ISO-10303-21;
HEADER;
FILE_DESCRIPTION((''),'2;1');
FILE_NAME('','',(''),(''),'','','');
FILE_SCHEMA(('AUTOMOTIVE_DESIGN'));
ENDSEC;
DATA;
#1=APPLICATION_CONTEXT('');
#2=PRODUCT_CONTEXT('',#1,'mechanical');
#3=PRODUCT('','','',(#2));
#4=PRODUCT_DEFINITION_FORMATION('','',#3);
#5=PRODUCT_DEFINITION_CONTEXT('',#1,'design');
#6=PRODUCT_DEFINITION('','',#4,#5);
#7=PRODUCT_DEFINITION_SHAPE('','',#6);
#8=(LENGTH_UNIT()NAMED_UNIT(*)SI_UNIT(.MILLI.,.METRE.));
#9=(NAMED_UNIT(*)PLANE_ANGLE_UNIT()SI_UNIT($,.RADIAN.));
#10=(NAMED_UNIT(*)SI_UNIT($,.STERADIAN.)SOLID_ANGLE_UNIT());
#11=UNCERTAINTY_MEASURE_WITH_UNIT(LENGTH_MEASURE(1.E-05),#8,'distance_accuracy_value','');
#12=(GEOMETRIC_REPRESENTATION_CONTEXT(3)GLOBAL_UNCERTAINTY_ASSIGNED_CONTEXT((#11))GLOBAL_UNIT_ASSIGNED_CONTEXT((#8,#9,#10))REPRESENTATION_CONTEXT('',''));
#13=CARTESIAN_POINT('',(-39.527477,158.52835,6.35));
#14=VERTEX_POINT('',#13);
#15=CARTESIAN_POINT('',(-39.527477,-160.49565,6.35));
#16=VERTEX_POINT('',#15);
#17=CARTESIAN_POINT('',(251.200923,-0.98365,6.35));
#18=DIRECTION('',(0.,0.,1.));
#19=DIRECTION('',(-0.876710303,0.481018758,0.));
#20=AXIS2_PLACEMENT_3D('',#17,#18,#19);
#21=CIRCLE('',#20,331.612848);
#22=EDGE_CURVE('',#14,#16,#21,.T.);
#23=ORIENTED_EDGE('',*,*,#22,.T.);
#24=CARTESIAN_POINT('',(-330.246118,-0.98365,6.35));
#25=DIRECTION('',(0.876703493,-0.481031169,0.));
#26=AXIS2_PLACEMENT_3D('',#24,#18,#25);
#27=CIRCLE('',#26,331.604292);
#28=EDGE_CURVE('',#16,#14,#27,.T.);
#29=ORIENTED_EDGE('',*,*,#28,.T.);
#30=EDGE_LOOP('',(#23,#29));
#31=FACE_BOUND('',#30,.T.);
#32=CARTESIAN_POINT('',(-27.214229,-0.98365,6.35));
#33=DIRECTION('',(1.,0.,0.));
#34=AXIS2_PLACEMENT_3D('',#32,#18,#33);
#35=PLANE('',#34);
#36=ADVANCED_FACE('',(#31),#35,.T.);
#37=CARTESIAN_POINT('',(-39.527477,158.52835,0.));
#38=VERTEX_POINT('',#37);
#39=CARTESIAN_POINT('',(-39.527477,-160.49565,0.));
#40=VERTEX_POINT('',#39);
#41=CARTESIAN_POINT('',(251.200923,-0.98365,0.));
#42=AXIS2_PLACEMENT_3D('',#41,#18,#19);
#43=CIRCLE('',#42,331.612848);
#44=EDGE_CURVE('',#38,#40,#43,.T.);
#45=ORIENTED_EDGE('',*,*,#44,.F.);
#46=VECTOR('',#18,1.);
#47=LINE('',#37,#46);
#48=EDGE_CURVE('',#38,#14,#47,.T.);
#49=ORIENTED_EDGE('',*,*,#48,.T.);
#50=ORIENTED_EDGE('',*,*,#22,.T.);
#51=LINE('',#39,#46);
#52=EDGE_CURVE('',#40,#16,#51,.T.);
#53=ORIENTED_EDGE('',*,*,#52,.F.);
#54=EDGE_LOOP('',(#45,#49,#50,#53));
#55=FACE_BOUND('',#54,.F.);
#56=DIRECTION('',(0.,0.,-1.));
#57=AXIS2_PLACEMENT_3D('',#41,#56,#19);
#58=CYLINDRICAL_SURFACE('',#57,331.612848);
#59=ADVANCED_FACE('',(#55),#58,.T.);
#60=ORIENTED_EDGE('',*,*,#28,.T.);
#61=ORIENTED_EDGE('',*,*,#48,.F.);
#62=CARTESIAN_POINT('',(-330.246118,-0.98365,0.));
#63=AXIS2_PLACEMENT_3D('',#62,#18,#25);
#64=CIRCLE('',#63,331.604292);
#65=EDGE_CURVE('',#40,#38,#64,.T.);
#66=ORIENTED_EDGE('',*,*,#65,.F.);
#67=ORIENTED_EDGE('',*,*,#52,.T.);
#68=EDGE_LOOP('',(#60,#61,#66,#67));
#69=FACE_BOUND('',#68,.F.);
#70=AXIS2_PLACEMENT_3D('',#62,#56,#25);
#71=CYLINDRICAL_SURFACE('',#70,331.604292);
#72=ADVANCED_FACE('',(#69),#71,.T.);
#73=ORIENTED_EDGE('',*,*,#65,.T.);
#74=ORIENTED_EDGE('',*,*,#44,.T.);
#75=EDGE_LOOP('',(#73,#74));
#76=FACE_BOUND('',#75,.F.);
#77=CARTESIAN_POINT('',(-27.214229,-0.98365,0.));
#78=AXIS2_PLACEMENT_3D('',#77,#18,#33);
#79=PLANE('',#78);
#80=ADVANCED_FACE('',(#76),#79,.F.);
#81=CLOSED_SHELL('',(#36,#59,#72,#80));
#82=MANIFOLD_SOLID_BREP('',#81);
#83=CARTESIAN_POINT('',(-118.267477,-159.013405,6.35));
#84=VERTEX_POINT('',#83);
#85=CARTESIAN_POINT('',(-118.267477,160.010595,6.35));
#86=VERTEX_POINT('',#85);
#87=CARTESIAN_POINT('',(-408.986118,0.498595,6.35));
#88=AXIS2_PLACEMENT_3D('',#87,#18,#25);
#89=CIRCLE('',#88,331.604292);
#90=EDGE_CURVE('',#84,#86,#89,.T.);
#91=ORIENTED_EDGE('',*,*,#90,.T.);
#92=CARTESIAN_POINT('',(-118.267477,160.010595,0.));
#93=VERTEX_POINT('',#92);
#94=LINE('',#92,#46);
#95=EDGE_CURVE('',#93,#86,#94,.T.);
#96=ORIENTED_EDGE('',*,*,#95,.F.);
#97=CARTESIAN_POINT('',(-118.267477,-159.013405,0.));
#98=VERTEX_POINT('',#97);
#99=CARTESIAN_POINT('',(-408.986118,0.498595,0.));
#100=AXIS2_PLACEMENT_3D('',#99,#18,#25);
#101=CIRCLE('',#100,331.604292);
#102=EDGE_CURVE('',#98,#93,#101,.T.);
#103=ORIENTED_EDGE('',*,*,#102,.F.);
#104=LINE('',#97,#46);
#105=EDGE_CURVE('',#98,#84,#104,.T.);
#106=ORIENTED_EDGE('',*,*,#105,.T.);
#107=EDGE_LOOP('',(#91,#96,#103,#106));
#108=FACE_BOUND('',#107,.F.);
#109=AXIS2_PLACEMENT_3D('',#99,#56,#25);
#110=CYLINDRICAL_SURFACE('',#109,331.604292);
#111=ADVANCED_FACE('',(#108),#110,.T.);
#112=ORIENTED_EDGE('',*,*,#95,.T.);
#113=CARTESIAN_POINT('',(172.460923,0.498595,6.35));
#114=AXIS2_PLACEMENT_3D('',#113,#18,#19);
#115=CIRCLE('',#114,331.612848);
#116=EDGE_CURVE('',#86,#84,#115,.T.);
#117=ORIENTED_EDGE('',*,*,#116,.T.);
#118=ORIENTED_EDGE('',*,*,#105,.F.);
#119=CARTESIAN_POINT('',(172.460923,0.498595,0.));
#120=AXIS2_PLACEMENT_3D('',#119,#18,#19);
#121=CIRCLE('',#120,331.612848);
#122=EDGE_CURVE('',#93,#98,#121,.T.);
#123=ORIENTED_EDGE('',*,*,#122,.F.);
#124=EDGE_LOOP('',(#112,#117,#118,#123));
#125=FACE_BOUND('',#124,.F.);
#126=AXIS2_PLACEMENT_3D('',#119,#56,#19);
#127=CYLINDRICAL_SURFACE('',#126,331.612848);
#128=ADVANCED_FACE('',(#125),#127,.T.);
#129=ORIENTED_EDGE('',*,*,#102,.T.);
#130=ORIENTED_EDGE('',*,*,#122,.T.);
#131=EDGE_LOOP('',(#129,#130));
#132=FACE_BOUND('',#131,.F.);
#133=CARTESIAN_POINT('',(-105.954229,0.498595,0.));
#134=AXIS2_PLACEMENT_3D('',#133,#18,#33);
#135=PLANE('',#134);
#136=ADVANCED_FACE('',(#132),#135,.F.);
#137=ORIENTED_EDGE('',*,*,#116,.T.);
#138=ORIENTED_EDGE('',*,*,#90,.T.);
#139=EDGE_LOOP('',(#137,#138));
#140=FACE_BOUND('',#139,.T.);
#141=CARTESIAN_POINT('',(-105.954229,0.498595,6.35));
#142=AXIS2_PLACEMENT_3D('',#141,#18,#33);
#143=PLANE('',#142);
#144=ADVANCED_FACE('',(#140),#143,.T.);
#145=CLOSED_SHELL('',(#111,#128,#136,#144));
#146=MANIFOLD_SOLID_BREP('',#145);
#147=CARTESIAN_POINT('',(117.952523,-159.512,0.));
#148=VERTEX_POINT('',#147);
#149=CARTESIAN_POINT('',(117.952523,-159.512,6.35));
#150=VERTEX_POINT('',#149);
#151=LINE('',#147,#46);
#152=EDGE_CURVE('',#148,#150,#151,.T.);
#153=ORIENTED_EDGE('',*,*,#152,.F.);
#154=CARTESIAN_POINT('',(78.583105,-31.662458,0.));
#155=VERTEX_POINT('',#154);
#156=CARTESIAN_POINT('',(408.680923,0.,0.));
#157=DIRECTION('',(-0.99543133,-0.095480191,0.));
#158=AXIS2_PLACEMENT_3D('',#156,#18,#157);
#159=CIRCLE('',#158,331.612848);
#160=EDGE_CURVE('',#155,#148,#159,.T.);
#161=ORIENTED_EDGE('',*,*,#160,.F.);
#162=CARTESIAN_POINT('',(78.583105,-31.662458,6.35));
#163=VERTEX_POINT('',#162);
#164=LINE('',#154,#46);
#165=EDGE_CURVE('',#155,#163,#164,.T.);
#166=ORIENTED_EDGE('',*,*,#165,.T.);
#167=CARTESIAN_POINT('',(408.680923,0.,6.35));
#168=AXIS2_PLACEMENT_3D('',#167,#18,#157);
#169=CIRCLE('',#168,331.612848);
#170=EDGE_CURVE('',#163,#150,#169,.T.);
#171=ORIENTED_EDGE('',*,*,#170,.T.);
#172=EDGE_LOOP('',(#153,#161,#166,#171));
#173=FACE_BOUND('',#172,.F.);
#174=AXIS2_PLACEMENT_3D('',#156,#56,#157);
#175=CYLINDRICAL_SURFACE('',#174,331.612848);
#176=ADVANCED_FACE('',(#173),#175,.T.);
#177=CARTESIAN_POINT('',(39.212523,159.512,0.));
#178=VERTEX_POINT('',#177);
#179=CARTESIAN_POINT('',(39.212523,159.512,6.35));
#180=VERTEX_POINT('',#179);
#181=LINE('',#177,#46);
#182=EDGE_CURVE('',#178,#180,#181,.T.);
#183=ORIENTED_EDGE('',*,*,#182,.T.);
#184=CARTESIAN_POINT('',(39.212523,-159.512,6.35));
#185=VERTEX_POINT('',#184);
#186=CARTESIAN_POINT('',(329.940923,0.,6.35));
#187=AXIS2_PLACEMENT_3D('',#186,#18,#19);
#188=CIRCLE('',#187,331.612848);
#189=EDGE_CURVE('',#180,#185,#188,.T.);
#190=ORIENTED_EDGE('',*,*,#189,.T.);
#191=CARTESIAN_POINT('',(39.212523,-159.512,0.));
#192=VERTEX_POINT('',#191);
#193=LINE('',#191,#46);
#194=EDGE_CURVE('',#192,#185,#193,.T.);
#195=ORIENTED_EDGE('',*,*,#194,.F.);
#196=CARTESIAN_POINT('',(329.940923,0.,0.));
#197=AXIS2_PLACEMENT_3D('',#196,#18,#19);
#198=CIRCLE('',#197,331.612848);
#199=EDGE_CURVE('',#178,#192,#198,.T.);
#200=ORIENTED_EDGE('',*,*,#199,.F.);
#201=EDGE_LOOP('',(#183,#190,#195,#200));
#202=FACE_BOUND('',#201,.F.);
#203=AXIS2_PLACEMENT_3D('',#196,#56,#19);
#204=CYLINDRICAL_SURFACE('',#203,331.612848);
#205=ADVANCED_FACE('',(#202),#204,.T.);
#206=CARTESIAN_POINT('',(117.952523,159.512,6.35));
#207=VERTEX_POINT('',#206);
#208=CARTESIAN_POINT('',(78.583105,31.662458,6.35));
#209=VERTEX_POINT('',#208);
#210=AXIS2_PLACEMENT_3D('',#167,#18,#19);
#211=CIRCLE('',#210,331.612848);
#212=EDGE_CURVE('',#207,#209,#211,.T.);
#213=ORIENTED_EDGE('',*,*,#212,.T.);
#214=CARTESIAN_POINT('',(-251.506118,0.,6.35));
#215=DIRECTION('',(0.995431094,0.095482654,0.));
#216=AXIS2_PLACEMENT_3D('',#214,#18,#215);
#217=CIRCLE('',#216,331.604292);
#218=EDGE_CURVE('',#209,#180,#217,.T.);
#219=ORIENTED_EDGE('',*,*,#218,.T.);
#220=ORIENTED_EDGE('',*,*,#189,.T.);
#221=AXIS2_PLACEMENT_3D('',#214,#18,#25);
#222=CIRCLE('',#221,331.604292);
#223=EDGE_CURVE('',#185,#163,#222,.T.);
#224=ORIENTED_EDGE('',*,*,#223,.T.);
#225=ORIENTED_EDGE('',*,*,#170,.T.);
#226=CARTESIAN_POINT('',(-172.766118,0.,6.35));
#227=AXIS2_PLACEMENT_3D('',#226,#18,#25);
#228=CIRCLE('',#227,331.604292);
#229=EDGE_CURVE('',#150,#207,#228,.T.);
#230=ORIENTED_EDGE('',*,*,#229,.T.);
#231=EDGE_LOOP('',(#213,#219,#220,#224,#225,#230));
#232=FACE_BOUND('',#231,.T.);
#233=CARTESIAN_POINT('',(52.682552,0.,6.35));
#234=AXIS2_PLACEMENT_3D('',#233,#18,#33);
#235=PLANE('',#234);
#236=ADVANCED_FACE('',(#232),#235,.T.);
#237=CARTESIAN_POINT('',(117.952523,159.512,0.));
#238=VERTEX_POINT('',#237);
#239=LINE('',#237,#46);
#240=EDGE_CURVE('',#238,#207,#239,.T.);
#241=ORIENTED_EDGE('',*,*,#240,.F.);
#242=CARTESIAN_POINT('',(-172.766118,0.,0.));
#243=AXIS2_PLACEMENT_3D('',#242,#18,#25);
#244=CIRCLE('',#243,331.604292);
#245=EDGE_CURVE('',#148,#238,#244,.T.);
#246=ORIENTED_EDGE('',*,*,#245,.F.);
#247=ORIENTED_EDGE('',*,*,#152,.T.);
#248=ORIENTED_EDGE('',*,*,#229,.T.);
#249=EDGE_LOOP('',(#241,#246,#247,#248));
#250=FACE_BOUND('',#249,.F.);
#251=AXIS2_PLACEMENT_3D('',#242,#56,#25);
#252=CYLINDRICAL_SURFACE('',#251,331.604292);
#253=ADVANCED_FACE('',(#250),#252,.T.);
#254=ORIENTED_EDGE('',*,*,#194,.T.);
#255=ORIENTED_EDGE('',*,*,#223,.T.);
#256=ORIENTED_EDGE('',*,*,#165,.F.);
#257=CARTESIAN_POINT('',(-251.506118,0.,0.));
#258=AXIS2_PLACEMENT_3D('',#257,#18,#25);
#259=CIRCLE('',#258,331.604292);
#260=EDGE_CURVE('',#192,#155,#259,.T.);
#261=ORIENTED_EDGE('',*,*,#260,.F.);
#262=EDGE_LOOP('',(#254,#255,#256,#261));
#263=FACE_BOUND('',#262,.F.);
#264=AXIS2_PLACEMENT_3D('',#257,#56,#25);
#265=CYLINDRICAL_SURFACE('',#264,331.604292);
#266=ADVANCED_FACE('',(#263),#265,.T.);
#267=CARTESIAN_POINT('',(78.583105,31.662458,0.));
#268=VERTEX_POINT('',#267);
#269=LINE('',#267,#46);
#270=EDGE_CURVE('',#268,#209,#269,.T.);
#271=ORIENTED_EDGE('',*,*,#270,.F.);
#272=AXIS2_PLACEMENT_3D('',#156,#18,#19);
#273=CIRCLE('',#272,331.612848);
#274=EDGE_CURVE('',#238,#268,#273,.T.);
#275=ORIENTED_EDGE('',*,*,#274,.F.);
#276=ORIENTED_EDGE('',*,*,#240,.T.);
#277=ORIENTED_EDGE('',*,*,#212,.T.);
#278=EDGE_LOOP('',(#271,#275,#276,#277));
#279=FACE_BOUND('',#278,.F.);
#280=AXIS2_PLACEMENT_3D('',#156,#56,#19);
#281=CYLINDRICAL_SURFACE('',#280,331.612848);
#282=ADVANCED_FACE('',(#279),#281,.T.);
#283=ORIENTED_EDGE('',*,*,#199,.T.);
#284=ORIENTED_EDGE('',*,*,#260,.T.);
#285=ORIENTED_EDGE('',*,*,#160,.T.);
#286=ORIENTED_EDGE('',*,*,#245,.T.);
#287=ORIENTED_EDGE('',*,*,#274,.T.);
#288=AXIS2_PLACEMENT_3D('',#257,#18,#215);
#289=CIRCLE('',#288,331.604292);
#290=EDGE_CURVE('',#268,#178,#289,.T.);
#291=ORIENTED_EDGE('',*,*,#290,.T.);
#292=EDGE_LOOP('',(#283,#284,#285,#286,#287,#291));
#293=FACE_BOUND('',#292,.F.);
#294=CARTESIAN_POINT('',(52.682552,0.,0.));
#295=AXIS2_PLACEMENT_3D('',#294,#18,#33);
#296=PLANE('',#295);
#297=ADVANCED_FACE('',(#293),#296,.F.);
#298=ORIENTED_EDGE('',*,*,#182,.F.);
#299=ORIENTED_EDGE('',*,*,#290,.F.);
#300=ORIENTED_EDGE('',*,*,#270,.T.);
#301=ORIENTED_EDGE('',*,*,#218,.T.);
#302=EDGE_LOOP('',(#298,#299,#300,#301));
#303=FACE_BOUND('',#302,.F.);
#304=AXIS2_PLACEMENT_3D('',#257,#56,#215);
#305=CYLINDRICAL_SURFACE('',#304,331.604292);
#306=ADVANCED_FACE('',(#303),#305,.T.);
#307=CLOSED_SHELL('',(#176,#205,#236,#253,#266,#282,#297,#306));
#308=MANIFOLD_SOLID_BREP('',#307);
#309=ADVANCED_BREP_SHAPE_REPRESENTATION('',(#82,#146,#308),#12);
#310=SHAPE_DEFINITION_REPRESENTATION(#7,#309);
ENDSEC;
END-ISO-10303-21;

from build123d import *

# Parameters (mm, degrees)
F3_DEPTH = 6.35


with BuildPart() as f3:
    # F1 (on Top) → F3 (new body)
    with BuildSketch(Plane.XY):
        with BuildLine():
            ThreePointArc((-39.5274765587, -160.4956500232), (1.3581742908, -0.9836500232), (-39.5274765587, 158.5283499768))
            Line((-39.5274765587, 158.5283499768), (-39.5274765587, -160.4956500232))
        make_face()
        with BuildLine():
            Line((-39.5274765587, -160.4956500232), (-39.5274765587, 158.5283499768))
            ThreePointArc((-39.5274765587, 158.5283499768), (-80.4119241846, -0.9836500232), (-39.5274765587, -160.4956500232))
        make_face()
    extrude(amount=F3_DEPTH)


with BuildPart() as f3b:
    # F2 (on Top) → F3, piece 2 (new body)
    with BuildSketch(Plane.XY):
        with BuildLine():
            ThreePointArc((78.5831054185, 31.6624580086), (65.4118171523, 97.5931812681), (39.2125234413, 159.512))
            Line((39.2125234413, 159.512), (39.2125234413, -159.512))
            ThreePointArc((39.2125234413, -159.512), (65.4118171523, -97.5931812681), (78.5831054185, -31.6624580086))
            ThreePointArc((78.5831054185, -31.6624580086), (77.0680758154, 0), (78.5831054185, 31.6624580086))
        make_face()
        with BuildLine():
            Line((39.2125234413, -159.512), (39.2125234413, 159.512))
            ThreePointArc((39.2125234413, 159.512), (-1.6719241846, 0), (39.2125234413, -159.512))
        make_face()
        with BuildLine():
            ThreePointArc((117.9525234413, 159.512), (91.7540003297, 97.5930638805), (78.5831054185, 31.6624580086))
            ThreePointArc((78.5831054185, 31.6624580086), (80.0981742908, 0), (78.5831054185, -31.6624580086))
            ThreePointArc((78.5831054185, -31.6624580086), (91.7540003297, -97.5930638805), (117.9525234413, -159.512))
            Line((117.9525234413, -159.512), (117.9525234413, 159.512))
        make_face()
        with BuildLine():
            ThreePointArc((78.5831054185, -31.6624580086), (80.0981742908, 0), (78.5831054185, 31.6624580086))
            ThreePointArc((78.5831054185, 31.6624580086), (77.0680758154, 0), (78.5831054185, -31.6624580086))
        make_face()
        with BuildLine():
            ThreePointArc((117.9525234413, -159.512), (158.8381742908, 0), (117.9525234413, 159.512))
            Line((117.9525234413, 159.512), (117.9525234413, -159.512))
        make_face()
    extrude(amount=F3_DEPTH)


with BuildPart() as f3c:
    # F0 (on Top) → F3, piece 3 (new body)
    with BuildSketch(Plane.XY):
        with BuildLine():
            ThreePointArc((-118.2674765587, -159.0134054422), (-77.3818257092, 0.4985945578), (-118.2674765587, 160.0105945578))
            Line((-118.2674765587, 160.0105945578), (-118.2674765587, -159.0134054422))
        make_face()
        with BuildLine():
            Line((-118.2674765587, -159.0134054422), (-118.2674765587, 160.0105945578))
            ThreePointArc((-118.2674765587, 160.0105945578), (-159.1519241846, 0.4985945578), (-118.2674765587, -159.0134054422))
        make_face()
    extrude(amount=F3_DEPTH)


solid = Compound([f3.part, f3b.part, f3c.part])
